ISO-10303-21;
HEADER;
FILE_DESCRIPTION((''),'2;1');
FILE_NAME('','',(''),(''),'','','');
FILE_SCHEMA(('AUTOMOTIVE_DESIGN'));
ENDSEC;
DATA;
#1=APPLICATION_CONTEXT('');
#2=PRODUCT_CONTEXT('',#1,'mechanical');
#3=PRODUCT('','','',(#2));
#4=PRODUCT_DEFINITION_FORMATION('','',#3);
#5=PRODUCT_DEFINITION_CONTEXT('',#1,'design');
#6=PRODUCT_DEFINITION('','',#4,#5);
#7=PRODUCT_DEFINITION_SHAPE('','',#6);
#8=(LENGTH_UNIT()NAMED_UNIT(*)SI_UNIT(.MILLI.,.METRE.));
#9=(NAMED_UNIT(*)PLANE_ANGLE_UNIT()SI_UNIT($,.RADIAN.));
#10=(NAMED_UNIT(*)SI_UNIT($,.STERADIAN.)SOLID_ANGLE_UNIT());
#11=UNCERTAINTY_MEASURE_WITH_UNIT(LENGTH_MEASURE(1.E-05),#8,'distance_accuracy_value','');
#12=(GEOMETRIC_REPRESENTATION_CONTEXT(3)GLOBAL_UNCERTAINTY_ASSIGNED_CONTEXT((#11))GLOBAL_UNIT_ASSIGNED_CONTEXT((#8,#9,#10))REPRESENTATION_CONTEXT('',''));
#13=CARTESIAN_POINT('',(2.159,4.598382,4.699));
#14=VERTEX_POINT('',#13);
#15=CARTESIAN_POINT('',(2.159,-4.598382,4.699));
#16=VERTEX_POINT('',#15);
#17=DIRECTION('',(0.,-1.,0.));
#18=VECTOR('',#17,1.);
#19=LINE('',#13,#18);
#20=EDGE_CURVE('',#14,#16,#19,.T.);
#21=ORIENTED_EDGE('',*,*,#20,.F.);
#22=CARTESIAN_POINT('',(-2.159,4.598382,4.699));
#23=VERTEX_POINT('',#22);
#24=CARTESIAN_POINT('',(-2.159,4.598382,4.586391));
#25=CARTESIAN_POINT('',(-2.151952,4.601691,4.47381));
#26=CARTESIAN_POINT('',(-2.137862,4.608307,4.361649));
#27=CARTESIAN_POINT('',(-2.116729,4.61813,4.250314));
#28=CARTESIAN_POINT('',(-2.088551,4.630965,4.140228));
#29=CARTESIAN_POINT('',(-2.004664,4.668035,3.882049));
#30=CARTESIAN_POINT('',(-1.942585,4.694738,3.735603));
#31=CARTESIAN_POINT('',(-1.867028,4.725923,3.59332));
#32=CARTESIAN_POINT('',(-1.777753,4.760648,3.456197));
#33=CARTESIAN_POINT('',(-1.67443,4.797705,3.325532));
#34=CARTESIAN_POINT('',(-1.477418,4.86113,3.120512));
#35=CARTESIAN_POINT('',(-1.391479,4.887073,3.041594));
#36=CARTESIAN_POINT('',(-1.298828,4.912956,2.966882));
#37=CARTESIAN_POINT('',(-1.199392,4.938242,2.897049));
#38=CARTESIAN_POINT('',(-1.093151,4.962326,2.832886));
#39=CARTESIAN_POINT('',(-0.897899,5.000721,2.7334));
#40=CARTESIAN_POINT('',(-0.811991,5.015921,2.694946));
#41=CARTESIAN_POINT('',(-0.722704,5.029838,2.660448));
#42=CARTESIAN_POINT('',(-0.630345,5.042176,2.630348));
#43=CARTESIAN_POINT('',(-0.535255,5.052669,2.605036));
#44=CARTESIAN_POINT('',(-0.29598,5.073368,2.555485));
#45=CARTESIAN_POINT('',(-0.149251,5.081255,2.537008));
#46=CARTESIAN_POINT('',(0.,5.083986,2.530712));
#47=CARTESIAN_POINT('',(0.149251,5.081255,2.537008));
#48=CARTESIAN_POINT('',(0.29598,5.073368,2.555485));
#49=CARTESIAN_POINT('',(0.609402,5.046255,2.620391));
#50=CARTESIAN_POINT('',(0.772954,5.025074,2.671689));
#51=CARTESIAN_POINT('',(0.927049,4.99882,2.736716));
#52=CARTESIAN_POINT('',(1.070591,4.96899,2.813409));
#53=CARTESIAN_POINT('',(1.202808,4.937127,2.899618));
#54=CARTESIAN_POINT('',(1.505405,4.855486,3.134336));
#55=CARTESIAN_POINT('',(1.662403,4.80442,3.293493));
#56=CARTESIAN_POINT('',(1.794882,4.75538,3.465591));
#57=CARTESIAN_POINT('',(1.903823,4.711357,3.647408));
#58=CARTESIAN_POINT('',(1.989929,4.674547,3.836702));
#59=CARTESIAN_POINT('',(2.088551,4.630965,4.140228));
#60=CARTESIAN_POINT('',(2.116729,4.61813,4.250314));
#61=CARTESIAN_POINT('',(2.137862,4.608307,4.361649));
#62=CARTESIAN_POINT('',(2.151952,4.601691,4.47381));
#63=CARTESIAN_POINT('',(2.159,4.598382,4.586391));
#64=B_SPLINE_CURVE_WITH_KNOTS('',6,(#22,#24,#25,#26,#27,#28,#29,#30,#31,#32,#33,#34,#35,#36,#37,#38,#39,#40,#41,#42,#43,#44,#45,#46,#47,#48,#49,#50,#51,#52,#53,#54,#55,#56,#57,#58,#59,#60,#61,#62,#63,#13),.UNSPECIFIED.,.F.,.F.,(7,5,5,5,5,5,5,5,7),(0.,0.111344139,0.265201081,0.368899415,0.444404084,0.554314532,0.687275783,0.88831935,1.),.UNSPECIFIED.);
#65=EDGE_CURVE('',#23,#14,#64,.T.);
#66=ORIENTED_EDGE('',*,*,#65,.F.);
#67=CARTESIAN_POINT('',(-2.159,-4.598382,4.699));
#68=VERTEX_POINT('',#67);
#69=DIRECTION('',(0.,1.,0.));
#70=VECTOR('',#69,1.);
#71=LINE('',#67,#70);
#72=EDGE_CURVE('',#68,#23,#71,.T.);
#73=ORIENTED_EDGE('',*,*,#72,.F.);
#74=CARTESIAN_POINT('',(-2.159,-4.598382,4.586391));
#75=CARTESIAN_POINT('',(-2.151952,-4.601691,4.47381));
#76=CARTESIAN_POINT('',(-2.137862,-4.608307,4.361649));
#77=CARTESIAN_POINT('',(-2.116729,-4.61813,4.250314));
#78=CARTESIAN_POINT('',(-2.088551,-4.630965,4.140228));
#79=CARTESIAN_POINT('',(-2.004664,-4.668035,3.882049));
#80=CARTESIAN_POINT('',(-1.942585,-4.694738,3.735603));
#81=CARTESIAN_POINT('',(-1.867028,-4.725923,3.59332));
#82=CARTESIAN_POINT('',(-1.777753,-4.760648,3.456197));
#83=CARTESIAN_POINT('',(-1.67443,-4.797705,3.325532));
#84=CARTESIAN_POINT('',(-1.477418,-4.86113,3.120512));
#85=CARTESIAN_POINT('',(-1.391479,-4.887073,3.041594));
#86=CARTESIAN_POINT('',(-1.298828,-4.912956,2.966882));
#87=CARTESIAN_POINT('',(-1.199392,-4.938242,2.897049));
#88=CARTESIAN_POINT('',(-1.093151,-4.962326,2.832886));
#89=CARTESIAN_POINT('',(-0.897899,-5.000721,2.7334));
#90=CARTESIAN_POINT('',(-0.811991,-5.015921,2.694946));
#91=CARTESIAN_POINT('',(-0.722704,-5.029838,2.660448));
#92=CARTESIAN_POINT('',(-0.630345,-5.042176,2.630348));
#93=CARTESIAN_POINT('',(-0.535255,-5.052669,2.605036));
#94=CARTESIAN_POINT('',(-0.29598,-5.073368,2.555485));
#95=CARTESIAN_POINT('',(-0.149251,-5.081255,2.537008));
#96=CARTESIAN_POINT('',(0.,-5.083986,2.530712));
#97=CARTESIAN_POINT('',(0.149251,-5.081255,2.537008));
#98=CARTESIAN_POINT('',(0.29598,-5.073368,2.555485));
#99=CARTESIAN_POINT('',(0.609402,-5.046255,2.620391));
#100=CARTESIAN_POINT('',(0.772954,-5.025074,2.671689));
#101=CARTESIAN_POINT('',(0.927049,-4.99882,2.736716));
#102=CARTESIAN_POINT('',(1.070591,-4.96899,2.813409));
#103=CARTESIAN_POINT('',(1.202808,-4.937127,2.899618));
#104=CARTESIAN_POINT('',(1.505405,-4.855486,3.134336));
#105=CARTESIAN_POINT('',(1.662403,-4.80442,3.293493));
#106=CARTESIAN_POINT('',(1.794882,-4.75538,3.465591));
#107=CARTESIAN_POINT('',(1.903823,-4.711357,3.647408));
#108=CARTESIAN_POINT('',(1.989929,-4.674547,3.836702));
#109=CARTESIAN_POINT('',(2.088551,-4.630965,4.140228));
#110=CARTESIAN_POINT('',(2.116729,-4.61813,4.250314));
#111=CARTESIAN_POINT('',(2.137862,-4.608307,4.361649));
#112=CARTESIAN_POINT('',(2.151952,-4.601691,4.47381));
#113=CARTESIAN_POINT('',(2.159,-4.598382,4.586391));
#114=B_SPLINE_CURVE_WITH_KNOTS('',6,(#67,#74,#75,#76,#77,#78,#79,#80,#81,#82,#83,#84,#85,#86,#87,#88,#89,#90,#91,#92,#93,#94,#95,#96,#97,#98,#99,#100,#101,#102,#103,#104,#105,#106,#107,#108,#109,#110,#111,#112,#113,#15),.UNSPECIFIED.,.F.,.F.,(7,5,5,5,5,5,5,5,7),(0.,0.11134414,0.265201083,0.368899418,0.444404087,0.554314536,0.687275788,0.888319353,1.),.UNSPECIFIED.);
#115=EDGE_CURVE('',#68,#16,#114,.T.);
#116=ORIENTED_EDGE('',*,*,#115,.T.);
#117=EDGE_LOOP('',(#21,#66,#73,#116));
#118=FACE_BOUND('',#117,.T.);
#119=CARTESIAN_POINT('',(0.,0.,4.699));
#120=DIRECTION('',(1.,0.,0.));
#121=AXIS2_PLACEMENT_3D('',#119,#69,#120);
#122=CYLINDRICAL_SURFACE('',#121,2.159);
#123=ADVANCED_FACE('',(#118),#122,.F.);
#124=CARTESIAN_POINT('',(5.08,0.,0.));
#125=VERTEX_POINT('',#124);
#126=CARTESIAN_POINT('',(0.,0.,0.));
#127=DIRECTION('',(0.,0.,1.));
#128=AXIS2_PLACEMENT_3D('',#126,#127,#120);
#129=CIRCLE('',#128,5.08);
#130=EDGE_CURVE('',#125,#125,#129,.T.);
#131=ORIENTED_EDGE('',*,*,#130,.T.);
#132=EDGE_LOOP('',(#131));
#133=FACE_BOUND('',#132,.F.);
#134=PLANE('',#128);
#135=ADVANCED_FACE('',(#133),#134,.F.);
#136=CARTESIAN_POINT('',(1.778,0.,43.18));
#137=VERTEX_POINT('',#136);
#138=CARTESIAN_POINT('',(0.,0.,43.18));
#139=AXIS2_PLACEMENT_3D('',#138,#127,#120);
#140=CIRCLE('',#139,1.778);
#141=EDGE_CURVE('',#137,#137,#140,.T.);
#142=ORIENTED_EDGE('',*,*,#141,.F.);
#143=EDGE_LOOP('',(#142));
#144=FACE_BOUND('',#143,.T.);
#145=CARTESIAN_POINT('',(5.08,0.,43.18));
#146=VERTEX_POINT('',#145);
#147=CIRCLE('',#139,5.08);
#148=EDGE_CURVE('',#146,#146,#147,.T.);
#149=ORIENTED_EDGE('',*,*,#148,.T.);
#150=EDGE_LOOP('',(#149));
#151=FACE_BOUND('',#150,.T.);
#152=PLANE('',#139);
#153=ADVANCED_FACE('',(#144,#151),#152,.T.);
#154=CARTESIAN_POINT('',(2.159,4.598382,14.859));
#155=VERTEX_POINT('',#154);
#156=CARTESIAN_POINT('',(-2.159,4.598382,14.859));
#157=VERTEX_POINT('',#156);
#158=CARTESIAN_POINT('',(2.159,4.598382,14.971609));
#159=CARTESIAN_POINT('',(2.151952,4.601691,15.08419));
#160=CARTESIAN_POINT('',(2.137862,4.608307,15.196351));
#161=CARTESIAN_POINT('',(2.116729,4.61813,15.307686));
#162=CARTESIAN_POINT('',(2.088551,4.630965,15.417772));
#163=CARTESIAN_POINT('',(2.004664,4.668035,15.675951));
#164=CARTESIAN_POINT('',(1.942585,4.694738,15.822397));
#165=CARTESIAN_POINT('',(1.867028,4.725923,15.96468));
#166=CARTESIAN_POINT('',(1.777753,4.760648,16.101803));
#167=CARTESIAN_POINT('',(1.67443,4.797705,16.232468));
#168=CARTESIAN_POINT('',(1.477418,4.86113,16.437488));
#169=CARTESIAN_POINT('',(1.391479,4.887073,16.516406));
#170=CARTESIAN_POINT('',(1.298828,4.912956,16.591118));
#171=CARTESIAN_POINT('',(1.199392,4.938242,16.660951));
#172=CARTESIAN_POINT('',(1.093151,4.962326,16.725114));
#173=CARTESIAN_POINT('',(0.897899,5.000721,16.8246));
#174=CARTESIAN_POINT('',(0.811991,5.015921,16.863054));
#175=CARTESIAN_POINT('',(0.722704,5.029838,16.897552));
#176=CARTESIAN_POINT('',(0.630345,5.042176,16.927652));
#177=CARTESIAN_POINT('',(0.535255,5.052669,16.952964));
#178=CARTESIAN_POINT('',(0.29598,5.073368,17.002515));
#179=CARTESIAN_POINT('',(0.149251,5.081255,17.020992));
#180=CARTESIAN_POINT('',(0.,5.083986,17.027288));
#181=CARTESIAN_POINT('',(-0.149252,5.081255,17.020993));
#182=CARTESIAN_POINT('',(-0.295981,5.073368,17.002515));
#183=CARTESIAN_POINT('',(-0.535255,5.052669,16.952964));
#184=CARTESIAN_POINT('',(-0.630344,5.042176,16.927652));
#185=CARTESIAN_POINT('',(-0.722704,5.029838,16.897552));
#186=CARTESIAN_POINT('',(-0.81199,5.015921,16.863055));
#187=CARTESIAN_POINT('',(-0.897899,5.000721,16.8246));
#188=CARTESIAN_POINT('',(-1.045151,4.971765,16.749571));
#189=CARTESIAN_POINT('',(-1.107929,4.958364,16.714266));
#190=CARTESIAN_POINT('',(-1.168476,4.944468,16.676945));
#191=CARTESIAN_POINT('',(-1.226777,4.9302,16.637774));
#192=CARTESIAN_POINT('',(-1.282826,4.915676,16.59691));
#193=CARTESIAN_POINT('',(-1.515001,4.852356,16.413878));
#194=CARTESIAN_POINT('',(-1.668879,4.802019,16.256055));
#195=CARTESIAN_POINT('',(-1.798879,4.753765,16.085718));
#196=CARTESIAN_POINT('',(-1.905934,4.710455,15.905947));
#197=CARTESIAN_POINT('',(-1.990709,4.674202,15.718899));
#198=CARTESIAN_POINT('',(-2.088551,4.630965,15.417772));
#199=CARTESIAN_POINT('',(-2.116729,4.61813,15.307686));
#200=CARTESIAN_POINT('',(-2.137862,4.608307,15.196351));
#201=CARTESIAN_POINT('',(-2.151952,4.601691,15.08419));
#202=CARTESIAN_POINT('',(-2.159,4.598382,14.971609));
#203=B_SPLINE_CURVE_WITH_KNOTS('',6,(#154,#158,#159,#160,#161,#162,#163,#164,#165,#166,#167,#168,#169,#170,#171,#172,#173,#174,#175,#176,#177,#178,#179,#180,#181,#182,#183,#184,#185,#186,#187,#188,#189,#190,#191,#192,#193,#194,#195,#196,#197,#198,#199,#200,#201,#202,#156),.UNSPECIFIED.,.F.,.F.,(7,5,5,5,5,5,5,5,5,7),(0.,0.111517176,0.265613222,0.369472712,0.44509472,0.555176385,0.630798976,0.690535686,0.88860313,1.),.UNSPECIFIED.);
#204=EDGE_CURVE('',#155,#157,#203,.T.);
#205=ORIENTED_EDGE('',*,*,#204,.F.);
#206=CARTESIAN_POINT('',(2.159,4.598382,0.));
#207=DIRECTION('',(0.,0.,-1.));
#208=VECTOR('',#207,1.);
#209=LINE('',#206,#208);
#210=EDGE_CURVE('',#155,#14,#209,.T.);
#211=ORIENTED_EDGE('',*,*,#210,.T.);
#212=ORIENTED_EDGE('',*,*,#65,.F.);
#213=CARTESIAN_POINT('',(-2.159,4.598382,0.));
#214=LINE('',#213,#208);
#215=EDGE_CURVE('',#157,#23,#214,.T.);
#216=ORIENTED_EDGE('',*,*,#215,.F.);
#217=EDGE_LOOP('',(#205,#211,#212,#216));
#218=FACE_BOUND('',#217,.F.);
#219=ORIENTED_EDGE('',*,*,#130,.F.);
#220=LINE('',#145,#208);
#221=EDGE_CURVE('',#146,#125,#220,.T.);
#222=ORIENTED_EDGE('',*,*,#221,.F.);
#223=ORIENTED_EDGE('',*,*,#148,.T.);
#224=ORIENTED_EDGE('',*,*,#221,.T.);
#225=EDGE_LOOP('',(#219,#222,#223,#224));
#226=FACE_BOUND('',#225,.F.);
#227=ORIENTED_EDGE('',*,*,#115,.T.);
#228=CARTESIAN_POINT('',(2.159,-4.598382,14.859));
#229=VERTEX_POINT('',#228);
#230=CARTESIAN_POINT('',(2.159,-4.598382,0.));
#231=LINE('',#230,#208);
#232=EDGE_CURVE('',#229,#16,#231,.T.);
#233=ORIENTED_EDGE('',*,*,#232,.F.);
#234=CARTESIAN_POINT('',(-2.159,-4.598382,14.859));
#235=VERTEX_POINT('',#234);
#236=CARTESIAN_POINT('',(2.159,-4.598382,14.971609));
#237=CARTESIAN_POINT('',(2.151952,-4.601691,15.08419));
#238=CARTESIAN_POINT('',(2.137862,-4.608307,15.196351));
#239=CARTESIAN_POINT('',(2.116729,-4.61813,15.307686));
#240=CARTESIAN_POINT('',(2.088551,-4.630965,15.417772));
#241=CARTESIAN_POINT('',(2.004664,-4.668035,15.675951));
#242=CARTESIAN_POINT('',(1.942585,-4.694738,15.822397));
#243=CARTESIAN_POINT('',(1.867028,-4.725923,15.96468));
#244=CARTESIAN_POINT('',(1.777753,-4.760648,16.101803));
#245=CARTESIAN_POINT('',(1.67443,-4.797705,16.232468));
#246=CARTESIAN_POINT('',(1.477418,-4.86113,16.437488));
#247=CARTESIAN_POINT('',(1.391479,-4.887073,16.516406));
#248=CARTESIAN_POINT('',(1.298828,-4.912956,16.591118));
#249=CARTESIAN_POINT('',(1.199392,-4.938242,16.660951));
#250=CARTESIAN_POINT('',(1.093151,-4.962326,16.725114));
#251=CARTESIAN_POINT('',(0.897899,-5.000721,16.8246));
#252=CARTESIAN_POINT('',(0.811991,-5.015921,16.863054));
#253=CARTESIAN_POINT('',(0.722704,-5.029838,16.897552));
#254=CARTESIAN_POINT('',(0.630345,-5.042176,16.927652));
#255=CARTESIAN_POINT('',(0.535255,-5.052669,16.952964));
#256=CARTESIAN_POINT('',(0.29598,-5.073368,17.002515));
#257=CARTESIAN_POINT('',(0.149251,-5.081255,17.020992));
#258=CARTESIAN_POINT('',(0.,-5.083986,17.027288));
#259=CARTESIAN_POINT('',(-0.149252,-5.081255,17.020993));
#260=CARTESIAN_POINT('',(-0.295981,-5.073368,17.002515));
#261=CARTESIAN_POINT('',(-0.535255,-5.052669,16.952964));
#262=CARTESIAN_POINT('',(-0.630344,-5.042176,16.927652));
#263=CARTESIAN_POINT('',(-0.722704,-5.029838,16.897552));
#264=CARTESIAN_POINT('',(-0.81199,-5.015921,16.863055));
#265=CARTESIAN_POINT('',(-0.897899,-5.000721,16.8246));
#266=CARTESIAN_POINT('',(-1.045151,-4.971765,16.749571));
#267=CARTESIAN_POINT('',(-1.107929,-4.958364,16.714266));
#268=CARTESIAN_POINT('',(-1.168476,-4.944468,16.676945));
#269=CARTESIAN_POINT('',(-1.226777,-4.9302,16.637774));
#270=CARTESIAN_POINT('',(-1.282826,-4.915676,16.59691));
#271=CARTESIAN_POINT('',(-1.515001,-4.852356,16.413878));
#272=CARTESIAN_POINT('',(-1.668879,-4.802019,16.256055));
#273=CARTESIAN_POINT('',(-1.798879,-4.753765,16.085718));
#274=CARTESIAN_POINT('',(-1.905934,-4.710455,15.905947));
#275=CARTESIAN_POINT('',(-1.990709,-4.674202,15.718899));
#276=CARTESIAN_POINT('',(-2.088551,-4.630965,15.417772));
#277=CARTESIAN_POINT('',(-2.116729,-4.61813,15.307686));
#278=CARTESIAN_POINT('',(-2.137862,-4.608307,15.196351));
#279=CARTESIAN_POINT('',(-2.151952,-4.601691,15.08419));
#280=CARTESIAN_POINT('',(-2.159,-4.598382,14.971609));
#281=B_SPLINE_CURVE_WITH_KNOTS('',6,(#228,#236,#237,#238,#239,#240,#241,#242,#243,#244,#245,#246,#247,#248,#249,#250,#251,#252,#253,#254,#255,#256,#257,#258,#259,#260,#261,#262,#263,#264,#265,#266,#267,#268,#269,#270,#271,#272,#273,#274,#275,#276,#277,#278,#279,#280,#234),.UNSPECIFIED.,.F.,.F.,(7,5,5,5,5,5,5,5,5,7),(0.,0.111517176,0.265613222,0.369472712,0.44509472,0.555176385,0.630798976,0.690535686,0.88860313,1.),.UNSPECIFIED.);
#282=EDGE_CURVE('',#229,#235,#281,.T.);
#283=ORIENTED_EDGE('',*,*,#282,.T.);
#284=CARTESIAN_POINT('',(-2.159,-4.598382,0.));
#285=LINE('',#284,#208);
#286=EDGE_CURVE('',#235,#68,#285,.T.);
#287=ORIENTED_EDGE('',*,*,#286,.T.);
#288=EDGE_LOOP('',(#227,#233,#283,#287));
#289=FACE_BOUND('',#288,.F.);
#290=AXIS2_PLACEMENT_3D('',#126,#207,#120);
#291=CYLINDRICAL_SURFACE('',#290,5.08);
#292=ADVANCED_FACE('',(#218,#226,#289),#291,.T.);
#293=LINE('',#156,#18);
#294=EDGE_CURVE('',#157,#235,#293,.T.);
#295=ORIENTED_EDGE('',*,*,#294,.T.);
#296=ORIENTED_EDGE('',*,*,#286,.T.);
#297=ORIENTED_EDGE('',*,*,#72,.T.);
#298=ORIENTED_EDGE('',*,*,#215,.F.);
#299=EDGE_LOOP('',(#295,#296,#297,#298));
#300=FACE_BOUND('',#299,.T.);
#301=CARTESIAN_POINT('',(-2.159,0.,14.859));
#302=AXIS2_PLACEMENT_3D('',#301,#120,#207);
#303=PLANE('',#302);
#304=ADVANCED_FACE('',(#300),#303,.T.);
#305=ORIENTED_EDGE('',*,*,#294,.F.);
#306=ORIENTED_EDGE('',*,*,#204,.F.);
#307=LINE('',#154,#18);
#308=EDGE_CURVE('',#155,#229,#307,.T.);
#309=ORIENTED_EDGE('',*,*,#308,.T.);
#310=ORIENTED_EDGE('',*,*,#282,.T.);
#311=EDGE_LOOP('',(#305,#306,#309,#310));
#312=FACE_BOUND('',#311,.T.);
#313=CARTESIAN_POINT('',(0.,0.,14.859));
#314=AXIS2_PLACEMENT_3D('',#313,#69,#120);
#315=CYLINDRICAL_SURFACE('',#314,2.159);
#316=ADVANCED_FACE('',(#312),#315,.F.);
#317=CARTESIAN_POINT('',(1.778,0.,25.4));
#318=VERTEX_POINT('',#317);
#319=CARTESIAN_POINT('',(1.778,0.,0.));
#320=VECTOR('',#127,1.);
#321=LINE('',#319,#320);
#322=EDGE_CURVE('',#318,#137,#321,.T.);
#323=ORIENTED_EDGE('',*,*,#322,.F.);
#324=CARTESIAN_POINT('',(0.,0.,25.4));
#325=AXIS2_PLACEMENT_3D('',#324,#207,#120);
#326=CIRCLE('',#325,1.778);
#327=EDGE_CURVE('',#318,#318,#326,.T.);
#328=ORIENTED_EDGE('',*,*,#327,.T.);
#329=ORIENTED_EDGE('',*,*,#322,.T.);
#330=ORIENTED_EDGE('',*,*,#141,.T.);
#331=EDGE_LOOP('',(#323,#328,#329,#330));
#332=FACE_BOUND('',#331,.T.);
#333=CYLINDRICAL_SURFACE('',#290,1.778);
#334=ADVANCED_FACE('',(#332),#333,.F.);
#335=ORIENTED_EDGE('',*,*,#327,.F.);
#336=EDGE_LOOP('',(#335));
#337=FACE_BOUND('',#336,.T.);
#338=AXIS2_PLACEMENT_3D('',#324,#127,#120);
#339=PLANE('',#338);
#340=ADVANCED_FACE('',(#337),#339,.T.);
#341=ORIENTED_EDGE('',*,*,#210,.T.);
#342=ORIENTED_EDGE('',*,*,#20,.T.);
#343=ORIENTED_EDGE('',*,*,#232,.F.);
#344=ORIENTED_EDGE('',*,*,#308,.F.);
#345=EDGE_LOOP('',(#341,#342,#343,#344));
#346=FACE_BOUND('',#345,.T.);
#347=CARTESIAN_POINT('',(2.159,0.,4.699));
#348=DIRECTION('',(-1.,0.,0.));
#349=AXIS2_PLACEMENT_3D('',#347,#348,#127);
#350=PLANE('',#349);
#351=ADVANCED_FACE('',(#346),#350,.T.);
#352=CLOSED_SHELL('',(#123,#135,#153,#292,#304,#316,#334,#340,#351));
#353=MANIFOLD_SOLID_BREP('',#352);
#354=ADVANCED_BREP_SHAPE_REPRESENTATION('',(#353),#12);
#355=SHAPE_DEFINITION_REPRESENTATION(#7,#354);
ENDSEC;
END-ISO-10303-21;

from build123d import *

# Parameters (mm, degrees)
F0_R          = 5.08
F0_R_2        = 1.778
F1_DEPTH      = 25.4
F2_DEPTH      = 43.18
F4_DEPTH      = 25.4
F4_DEPTH_BACK = 25.4


with BuildPart() as f1:
    # F0 (on Top) → F1 (new body)
    with BuildSketch(Plane.XY):
        Circle(F0_R)
        Circle(F0_R_2, mode=Mode.SUBTRACT)
        Circle(F0_R_2)
    extrude(amount=F1_DEPTH)

    # F0 (on Top) → F2 (join)
    with BuildSketch(Plane.XY):
        Circle(F0_R)
        Circle(F0_R_2, mode=Mode.SUBTRACT)
    extrude(amount=F2_DEPTH)

    # F3 (on Front) → F4 (cut, two sides)
    with BuildSketch(Plane.XZ) as f4_sk:
        with BuildLine():
            ThreePointArc((-2.159, 4.699), (0, 2.54), (2.159, 4.699))
            ThreePointArc((2.159, 4.699), (0, 6.858), (-2.159, 4.699))
        make_face()
        with BuildLine():
            ThreePointArc((-2.159, 4.699), (0, 6.858), (2.159, 4.699))
            Line((2.159, 4.699), (2.159, 14.859))
            ThreePointArc((2.159, 14.859), (0, 12.7), (-2.159, 14.859))
            Line((-2.159, 14.859), (-2.159, 4.699))
        make_face()
        with BuildLine():
            ThreePointArc((-2.159, 14.859), (0, 12.7), (2.159, 14.859))
            ThreePointArc((2.159, 14.859), (0, 17.018), (-2.159, 14.859))
        make_face()
    extrude(amount=-F4_DEPTH, mode=Mode.SUBTRACT)
    extrude(f4_sk.sketch, amount=F4_DEPTH_BACK, mode=Mode.SUBTRACT)


solid = f1.part
